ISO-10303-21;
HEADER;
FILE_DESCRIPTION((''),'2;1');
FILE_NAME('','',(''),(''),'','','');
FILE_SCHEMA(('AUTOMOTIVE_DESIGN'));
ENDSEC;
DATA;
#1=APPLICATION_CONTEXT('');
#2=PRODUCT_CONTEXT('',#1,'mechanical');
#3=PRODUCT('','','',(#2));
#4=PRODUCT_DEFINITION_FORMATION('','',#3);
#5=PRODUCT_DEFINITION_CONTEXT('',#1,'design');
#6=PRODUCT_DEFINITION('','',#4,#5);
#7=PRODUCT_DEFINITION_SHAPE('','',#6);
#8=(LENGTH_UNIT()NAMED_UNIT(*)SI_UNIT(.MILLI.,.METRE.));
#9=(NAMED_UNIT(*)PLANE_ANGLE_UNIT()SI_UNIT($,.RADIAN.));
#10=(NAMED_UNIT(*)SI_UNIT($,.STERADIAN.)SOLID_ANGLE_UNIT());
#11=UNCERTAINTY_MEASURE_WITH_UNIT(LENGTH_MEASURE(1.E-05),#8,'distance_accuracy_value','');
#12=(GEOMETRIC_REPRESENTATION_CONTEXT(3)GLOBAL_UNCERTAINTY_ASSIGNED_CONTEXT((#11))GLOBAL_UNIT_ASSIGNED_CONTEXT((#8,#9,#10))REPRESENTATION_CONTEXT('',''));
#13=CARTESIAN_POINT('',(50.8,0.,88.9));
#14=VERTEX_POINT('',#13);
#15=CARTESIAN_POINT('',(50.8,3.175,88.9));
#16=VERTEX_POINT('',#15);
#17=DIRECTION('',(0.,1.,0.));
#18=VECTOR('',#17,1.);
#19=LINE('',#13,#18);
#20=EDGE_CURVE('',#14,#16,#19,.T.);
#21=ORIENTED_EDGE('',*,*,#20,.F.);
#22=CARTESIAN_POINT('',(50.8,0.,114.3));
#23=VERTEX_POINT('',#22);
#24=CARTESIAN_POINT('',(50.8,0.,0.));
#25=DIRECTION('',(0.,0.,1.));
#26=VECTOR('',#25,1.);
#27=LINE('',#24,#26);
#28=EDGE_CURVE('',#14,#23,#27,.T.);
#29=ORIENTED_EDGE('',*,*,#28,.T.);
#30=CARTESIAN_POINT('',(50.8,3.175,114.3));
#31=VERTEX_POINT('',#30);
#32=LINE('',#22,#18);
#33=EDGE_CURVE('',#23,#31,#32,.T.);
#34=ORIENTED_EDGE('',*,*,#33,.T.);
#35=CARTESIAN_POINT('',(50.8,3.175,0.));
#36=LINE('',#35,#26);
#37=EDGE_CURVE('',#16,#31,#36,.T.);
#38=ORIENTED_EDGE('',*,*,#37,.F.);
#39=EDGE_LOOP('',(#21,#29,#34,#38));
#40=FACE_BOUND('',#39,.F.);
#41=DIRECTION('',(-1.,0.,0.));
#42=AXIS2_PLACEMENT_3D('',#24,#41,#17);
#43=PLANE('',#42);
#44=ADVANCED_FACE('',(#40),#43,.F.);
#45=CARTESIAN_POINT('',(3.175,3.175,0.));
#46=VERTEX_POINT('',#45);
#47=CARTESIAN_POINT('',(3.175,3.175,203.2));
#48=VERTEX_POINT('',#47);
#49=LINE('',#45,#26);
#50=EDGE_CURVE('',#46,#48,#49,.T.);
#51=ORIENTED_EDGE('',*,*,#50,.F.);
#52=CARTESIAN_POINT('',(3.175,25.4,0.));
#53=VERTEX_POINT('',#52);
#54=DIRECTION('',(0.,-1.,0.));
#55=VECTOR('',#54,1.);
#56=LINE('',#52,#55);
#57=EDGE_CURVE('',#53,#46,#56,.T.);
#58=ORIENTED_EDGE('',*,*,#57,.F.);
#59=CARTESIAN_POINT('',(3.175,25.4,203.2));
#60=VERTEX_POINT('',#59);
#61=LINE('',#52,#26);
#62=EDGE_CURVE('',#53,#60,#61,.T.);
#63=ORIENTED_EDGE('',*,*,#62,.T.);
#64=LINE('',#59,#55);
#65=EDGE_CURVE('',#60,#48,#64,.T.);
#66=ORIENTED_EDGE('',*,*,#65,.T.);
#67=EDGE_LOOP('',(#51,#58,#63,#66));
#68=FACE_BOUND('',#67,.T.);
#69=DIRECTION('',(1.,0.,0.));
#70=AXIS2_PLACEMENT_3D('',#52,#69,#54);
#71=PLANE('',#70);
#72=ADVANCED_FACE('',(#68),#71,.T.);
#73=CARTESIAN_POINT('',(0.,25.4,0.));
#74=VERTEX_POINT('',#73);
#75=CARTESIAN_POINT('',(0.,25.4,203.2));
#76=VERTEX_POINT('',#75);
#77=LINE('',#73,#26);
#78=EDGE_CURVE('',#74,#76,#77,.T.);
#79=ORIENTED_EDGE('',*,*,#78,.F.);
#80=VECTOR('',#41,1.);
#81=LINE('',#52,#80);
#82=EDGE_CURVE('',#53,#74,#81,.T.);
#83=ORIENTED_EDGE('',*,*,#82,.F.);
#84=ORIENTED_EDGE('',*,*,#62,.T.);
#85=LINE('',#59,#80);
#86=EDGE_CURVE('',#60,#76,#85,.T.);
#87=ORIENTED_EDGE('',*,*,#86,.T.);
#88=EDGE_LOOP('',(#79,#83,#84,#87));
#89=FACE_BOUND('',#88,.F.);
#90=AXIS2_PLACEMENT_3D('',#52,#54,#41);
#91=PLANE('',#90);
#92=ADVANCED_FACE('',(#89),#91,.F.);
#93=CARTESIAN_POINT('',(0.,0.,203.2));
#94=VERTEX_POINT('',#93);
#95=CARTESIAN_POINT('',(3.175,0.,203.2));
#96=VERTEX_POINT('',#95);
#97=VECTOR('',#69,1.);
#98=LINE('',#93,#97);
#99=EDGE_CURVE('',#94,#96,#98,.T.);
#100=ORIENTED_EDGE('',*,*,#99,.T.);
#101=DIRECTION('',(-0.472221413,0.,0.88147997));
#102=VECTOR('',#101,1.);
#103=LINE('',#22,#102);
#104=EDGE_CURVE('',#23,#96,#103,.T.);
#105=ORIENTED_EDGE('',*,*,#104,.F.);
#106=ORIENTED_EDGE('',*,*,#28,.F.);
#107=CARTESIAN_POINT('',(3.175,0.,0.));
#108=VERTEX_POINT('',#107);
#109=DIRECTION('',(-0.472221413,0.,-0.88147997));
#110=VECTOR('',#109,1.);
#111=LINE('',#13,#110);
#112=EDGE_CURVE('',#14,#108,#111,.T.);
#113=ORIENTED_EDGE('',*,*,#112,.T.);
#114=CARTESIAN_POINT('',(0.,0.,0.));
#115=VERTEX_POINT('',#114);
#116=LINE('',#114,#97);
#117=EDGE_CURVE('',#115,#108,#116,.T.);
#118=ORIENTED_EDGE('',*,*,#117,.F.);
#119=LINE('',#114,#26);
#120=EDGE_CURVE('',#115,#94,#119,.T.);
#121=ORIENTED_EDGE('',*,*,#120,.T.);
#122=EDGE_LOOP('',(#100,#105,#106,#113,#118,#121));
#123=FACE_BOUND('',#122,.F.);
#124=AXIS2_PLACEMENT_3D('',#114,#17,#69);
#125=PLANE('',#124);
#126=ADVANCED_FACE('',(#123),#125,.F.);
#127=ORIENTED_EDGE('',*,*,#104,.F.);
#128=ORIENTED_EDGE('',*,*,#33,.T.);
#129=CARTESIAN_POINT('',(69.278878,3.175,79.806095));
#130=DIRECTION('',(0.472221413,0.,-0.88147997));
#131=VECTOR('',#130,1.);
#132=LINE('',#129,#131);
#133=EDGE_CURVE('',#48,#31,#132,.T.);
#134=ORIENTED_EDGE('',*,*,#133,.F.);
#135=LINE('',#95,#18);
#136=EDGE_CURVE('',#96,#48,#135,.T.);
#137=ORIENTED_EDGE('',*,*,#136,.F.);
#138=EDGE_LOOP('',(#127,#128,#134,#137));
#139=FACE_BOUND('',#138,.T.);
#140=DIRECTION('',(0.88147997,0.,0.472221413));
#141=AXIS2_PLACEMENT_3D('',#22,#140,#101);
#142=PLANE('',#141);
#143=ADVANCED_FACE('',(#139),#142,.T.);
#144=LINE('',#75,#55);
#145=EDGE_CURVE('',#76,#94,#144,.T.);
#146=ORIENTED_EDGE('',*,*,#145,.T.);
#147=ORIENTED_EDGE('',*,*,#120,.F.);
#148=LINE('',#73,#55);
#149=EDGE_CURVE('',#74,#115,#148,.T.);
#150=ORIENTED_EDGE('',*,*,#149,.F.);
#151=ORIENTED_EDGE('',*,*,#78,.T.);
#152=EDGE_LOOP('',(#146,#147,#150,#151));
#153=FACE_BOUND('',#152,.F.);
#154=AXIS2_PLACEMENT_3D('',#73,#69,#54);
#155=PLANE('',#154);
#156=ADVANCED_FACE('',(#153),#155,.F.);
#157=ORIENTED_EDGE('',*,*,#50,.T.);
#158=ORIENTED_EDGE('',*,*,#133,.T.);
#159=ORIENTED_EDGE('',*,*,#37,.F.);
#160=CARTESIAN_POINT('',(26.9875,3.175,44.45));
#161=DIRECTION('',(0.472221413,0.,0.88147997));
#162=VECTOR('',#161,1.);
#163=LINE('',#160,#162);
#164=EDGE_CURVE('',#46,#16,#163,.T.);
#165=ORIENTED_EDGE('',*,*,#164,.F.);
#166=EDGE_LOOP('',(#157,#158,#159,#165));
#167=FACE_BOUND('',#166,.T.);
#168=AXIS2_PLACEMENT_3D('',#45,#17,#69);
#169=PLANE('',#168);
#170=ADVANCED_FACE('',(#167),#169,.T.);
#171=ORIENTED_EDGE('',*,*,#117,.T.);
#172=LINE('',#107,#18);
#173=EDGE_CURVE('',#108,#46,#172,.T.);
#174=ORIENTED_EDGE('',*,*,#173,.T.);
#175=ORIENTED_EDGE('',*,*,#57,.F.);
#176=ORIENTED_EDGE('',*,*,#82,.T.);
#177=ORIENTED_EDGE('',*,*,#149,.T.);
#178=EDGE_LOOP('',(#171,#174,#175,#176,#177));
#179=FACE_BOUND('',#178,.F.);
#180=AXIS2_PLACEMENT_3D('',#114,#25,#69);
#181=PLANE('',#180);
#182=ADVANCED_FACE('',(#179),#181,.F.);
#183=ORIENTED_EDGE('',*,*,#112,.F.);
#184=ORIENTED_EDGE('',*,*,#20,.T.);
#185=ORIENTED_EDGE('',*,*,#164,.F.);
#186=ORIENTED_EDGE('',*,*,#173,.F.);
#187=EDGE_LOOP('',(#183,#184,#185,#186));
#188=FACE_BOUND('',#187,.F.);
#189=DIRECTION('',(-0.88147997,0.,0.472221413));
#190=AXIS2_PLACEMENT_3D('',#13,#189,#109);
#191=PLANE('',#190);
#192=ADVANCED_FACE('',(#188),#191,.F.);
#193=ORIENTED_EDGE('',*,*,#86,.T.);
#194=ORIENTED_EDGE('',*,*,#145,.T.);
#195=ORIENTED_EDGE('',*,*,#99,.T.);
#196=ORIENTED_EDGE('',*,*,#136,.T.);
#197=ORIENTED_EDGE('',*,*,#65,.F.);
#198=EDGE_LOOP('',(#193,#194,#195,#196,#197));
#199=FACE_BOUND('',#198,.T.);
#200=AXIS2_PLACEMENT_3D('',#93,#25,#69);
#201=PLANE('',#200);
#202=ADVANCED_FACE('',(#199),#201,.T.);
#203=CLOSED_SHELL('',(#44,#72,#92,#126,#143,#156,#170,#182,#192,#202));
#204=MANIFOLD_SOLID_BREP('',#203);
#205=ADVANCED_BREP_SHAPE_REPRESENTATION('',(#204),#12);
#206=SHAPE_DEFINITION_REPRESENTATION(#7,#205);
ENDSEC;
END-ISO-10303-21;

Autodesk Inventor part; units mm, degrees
ref_plane "YZ Plane" through (0, 0, 0) normal (1, 0, 0) x (0, 1, 0)
ref_plane "XZ Plane" through (0, 0, 0) normal (0, 1, 0) x (-1, 0, 0)
ref_plane "XY Plane" through (0, 0, 0) normal (0, 0, 1) x (1, 0, 0)
sketch "Sketch1" plane through (0, 0, 0) normal (0, 0, 1) x (1, 0, 0)
  line L0 (0, 0) -> (50.8, 0)
  line L1 (50.8, 0) -> (50.8, 3.175)
  line L2 (3.175, 25.4) -> (0, 25.4)
  line L3 (0, 25.4) -> (0, 0)
  line L4 (3.175, 25.4) -> (3.175, 3.175)
  line L5 (3.175, 3.175) -> (50.8, 3.175)
  dimension "d0" = 50.8
  dimension "d1" = 25.4
  dimension "d2" = 3.175
  dimension "d3" = 3.175
extrude "Extrusion1" add sketch "Sketch1" along normal blind 203.2
sketch "Sketch2" plane through (0, 0, 0) normal (0, -1, 0) x (1, 0, 0)
  line L0 (50.8, 203.2) -> (0, 203.2) projected
  line L1 (50.8, 0) -> (50.8, 203.2) projected
  line L2 (3.175, 0) -> (3.175, 203.2) projected
  line L3 (3.175, 114.3) -> (50.8, 114.3)
  line L4 (50.8, 114.3) -> (50.8, 88.9)
  line L5 (50.8, 88.9) -> (3.175, 88.9)
  line L6 (3.175, 88.9) -> (3.175, 114.3)
  line L7 (0, 0) -> (50.8, 0) projected
  line L8 (50.8, 88.9) -> (3.175, 0)
  line L9 (50.8, 114.3) -> (3.175, 203.2)
  dimension "d18" = 25.4
  dimension "d19" = 88.9
  dimension "d20" = 88.9
extrude "Extrusion4" cut sketch "Sketch2" against normal through all contours L1 L9 L0 | L1 L7 L8
equation "\"d2\" = d3"
equation "\"d19\" = d20"
properties part number "8 ball mount L"
